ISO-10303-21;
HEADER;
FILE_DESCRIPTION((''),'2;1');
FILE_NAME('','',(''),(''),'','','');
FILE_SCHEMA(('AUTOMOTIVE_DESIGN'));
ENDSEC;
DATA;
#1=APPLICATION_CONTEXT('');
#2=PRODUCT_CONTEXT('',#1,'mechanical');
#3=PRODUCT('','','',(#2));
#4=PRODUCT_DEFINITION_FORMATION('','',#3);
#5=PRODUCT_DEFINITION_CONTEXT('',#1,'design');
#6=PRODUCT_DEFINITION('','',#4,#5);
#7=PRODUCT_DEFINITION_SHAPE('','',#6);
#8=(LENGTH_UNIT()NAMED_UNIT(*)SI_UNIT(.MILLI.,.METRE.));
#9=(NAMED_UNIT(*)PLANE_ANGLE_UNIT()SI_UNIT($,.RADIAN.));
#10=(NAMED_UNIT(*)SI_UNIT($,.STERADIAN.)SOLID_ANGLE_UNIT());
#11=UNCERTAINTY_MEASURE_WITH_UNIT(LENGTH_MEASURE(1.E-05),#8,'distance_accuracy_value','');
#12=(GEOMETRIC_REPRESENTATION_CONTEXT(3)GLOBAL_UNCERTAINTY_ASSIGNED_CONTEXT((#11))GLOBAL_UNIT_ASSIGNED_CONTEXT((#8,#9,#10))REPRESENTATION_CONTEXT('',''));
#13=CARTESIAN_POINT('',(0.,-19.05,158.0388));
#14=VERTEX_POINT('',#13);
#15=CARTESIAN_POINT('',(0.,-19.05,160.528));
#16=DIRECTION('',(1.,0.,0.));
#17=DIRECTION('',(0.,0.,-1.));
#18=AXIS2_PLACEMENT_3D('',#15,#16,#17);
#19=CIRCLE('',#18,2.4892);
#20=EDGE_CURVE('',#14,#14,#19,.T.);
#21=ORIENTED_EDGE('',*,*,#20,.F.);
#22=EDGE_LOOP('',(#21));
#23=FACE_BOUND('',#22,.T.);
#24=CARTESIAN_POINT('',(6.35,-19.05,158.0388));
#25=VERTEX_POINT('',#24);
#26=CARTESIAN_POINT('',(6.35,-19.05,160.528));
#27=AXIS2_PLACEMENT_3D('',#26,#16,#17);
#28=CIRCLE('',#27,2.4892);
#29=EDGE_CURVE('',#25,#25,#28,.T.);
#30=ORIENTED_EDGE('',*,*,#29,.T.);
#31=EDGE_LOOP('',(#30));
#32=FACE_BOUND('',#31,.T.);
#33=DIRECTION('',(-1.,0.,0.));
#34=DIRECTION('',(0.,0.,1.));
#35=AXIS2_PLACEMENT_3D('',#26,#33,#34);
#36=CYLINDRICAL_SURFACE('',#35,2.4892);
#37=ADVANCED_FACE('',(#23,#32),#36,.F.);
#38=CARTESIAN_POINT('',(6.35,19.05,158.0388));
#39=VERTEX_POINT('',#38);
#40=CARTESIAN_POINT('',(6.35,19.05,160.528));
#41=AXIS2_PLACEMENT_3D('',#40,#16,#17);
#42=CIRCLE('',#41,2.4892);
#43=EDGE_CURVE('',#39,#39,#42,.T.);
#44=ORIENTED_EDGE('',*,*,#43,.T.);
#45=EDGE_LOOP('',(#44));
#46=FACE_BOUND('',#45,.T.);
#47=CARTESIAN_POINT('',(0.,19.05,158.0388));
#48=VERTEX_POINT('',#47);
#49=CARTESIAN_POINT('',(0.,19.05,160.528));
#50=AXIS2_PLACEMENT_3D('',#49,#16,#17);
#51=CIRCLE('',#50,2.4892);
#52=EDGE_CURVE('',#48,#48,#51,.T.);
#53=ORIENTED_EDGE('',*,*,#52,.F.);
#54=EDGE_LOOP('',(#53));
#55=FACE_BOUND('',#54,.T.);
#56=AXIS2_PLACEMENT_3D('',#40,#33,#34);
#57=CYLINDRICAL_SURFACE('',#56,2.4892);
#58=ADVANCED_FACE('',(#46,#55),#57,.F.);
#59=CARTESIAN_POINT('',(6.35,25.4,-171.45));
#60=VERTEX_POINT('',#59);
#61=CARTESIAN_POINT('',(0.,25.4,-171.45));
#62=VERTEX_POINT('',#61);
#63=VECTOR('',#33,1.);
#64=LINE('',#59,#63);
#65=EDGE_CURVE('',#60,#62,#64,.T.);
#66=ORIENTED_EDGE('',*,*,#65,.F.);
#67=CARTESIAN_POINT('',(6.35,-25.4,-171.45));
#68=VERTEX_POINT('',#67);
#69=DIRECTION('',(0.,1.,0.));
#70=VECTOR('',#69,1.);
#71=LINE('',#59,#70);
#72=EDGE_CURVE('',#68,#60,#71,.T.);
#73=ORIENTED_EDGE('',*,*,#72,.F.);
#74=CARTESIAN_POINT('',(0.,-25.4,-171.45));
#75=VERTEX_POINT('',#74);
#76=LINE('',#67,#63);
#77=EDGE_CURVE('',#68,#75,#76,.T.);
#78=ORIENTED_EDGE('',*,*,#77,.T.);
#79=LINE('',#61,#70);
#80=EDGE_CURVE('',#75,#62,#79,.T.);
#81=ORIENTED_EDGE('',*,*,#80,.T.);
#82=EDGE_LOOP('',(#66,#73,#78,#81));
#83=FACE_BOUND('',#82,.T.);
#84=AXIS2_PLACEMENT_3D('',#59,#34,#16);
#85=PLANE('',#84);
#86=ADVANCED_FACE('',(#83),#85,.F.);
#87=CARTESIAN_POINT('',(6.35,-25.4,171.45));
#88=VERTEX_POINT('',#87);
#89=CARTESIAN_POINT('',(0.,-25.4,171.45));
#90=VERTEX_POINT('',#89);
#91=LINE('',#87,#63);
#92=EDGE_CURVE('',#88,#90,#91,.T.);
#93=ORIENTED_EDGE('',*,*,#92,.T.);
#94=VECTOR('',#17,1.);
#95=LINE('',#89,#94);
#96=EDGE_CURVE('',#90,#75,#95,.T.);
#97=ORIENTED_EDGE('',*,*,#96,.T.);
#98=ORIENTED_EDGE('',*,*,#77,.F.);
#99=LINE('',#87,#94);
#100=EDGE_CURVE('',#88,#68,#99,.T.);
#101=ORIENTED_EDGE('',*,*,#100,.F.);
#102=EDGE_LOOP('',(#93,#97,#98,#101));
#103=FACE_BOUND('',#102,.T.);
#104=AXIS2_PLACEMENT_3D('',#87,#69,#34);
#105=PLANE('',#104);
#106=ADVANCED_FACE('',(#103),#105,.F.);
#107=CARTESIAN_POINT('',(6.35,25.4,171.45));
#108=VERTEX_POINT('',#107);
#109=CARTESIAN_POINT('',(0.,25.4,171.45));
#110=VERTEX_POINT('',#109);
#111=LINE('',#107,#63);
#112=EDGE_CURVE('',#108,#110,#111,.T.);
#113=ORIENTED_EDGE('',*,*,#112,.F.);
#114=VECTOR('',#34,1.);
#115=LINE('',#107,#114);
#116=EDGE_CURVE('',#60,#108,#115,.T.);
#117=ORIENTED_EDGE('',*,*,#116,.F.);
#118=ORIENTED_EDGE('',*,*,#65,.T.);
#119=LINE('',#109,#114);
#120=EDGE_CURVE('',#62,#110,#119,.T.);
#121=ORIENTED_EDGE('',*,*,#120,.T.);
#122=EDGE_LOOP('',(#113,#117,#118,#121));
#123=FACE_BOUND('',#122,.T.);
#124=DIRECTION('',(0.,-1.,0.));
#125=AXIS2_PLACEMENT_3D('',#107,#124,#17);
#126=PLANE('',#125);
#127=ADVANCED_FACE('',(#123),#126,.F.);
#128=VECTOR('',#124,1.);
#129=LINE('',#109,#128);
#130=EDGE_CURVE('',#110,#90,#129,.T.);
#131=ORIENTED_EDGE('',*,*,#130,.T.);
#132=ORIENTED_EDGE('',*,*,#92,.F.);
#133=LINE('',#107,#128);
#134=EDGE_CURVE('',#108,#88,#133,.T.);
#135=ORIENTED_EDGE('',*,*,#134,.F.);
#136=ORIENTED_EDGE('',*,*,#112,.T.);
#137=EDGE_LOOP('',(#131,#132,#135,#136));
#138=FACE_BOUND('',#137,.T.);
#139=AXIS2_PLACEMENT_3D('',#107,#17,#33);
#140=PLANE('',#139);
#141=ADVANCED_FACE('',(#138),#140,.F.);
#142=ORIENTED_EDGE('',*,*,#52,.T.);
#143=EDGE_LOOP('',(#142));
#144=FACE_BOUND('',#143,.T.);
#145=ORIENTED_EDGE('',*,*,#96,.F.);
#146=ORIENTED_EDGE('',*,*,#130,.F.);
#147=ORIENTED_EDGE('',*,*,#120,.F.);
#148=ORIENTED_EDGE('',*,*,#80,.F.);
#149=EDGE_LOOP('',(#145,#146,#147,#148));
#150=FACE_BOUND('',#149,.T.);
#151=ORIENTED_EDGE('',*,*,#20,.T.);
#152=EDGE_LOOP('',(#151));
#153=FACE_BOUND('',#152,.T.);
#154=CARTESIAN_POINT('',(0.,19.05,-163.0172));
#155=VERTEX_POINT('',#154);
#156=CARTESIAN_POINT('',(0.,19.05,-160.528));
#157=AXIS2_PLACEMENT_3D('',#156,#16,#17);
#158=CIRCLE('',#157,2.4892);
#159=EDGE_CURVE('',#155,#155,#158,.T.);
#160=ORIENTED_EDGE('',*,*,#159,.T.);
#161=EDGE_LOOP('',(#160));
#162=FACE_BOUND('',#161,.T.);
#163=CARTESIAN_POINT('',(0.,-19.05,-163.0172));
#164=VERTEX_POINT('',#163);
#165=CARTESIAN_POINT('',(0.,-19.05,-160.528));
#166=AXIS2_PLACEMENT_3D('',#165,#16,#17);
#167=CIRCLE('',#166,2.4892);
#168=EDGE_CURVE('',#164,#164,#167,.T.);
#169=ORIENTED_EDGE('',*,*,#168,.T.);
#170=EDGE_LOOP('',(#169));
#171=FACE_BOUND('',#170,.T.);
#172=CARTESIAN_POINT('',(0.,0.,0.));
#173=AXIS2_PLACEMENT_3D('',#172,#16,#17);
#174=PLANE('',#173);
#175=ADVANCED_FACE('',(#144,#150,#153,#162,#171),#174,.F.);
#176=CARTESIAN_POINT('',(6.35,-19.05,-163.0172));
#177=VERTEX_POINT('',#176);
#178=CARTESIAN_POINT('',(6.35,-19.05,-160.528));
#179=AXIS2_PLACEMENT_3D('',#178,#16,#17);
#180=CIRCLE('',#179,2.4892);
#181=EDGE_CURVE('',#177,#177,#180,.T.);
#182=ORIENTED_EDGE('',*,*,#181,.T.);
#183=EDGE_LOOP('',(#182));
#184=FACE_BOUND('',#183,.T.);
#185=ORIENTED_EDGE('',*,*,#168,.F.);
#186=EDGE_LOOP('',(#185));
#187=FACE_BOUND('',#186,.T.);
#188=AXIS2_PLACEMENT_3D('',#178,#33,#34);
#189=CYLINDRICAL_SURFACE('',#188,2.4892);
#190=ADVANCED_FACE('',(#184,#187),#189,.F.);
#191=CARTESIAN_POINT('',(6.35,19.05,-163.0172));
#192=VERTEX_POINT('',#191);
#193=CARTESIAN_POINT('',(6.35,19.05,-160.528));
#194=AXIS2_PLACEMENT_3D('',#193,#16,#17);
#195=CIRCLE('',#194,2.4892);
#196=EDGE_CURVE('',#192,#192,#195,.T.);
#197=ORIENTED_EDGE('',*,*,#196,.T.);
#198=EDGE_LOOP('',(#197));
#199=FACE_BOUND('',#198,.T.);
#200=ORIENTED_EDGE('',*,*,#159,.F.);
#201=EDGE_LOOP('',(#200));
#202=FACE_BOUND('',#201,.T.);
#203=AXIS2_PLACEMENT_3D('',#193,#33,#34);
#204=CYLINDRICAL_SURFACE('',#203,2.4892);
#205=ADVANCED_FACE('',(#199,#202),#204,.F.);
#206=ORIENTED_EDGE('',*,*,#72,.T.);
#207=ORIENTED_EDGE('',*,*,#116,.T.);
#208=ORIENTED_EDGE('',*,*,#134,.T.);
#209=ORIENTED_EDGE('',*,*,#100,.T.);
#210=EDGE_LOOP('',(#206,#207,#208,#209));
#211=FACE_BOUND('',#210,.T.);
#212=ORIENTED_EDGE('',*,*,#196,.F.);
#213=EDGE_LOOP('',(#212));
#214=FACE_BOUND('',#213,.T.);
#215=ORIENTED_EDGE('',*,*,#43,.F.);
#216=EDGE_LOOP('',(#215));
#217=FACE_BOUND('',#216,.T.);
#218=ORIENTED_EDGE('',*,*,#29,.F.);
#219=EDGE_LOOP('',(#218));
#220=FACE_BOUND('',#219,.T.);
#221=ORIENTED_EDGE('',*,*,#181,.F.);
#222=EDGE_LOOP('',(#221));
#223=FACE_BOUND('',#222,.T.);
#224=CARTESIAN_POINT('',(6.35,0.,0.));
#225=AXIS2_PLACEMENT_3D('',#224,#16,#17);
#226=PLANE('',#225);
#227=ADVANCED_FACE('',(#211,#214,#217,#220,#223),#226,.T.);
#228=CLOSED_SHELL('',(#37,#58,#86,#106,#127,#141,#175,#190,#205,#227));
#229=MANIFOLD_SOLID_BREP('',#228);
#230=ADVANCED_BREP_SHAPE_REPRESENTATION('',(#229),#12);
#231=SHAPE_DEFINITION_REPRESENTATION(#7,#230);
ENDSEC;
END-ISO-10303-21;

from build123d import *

# Parameters (mm, degrees)
SKETCH1_W           = 342.9
SKETCH1_H           = 50.8
SKETCH1_R           = 2.4892
BOSS_EXTRUDE1_DEPTH = 6.35


with BuildPart() as part:
    # Sketch1 → Boss-Extrude1 (new body)
    with BuildSketch(Plane(origin=(0, 0, 0), x_dir=(0, 0, -1), z_dir=(1, 0, 0))):
        Rectangle(SKETCH1_W, SKETCH1_H)
        with Locations((-160.528, 19.05)):
            Circle(SKETCH1_R, mode=Mode.SUBTRACT)
        with Locations((-160.528, -19.05)):
            Circle(SKETCH1_R, mode=Mode.SUBTRACT)
        with Locations((160.528, -19.05)):
            Circle(SKETCH1_R, mode=Mode.SUBTRACT)
        with Locations((160.528, 19.05)):
            Circle(SKETCH1_R, mode=Mode.SUBTRACT)
    extrude(amount=BOSS_EXTRUDE1_DEPTH)


solid = part.part
